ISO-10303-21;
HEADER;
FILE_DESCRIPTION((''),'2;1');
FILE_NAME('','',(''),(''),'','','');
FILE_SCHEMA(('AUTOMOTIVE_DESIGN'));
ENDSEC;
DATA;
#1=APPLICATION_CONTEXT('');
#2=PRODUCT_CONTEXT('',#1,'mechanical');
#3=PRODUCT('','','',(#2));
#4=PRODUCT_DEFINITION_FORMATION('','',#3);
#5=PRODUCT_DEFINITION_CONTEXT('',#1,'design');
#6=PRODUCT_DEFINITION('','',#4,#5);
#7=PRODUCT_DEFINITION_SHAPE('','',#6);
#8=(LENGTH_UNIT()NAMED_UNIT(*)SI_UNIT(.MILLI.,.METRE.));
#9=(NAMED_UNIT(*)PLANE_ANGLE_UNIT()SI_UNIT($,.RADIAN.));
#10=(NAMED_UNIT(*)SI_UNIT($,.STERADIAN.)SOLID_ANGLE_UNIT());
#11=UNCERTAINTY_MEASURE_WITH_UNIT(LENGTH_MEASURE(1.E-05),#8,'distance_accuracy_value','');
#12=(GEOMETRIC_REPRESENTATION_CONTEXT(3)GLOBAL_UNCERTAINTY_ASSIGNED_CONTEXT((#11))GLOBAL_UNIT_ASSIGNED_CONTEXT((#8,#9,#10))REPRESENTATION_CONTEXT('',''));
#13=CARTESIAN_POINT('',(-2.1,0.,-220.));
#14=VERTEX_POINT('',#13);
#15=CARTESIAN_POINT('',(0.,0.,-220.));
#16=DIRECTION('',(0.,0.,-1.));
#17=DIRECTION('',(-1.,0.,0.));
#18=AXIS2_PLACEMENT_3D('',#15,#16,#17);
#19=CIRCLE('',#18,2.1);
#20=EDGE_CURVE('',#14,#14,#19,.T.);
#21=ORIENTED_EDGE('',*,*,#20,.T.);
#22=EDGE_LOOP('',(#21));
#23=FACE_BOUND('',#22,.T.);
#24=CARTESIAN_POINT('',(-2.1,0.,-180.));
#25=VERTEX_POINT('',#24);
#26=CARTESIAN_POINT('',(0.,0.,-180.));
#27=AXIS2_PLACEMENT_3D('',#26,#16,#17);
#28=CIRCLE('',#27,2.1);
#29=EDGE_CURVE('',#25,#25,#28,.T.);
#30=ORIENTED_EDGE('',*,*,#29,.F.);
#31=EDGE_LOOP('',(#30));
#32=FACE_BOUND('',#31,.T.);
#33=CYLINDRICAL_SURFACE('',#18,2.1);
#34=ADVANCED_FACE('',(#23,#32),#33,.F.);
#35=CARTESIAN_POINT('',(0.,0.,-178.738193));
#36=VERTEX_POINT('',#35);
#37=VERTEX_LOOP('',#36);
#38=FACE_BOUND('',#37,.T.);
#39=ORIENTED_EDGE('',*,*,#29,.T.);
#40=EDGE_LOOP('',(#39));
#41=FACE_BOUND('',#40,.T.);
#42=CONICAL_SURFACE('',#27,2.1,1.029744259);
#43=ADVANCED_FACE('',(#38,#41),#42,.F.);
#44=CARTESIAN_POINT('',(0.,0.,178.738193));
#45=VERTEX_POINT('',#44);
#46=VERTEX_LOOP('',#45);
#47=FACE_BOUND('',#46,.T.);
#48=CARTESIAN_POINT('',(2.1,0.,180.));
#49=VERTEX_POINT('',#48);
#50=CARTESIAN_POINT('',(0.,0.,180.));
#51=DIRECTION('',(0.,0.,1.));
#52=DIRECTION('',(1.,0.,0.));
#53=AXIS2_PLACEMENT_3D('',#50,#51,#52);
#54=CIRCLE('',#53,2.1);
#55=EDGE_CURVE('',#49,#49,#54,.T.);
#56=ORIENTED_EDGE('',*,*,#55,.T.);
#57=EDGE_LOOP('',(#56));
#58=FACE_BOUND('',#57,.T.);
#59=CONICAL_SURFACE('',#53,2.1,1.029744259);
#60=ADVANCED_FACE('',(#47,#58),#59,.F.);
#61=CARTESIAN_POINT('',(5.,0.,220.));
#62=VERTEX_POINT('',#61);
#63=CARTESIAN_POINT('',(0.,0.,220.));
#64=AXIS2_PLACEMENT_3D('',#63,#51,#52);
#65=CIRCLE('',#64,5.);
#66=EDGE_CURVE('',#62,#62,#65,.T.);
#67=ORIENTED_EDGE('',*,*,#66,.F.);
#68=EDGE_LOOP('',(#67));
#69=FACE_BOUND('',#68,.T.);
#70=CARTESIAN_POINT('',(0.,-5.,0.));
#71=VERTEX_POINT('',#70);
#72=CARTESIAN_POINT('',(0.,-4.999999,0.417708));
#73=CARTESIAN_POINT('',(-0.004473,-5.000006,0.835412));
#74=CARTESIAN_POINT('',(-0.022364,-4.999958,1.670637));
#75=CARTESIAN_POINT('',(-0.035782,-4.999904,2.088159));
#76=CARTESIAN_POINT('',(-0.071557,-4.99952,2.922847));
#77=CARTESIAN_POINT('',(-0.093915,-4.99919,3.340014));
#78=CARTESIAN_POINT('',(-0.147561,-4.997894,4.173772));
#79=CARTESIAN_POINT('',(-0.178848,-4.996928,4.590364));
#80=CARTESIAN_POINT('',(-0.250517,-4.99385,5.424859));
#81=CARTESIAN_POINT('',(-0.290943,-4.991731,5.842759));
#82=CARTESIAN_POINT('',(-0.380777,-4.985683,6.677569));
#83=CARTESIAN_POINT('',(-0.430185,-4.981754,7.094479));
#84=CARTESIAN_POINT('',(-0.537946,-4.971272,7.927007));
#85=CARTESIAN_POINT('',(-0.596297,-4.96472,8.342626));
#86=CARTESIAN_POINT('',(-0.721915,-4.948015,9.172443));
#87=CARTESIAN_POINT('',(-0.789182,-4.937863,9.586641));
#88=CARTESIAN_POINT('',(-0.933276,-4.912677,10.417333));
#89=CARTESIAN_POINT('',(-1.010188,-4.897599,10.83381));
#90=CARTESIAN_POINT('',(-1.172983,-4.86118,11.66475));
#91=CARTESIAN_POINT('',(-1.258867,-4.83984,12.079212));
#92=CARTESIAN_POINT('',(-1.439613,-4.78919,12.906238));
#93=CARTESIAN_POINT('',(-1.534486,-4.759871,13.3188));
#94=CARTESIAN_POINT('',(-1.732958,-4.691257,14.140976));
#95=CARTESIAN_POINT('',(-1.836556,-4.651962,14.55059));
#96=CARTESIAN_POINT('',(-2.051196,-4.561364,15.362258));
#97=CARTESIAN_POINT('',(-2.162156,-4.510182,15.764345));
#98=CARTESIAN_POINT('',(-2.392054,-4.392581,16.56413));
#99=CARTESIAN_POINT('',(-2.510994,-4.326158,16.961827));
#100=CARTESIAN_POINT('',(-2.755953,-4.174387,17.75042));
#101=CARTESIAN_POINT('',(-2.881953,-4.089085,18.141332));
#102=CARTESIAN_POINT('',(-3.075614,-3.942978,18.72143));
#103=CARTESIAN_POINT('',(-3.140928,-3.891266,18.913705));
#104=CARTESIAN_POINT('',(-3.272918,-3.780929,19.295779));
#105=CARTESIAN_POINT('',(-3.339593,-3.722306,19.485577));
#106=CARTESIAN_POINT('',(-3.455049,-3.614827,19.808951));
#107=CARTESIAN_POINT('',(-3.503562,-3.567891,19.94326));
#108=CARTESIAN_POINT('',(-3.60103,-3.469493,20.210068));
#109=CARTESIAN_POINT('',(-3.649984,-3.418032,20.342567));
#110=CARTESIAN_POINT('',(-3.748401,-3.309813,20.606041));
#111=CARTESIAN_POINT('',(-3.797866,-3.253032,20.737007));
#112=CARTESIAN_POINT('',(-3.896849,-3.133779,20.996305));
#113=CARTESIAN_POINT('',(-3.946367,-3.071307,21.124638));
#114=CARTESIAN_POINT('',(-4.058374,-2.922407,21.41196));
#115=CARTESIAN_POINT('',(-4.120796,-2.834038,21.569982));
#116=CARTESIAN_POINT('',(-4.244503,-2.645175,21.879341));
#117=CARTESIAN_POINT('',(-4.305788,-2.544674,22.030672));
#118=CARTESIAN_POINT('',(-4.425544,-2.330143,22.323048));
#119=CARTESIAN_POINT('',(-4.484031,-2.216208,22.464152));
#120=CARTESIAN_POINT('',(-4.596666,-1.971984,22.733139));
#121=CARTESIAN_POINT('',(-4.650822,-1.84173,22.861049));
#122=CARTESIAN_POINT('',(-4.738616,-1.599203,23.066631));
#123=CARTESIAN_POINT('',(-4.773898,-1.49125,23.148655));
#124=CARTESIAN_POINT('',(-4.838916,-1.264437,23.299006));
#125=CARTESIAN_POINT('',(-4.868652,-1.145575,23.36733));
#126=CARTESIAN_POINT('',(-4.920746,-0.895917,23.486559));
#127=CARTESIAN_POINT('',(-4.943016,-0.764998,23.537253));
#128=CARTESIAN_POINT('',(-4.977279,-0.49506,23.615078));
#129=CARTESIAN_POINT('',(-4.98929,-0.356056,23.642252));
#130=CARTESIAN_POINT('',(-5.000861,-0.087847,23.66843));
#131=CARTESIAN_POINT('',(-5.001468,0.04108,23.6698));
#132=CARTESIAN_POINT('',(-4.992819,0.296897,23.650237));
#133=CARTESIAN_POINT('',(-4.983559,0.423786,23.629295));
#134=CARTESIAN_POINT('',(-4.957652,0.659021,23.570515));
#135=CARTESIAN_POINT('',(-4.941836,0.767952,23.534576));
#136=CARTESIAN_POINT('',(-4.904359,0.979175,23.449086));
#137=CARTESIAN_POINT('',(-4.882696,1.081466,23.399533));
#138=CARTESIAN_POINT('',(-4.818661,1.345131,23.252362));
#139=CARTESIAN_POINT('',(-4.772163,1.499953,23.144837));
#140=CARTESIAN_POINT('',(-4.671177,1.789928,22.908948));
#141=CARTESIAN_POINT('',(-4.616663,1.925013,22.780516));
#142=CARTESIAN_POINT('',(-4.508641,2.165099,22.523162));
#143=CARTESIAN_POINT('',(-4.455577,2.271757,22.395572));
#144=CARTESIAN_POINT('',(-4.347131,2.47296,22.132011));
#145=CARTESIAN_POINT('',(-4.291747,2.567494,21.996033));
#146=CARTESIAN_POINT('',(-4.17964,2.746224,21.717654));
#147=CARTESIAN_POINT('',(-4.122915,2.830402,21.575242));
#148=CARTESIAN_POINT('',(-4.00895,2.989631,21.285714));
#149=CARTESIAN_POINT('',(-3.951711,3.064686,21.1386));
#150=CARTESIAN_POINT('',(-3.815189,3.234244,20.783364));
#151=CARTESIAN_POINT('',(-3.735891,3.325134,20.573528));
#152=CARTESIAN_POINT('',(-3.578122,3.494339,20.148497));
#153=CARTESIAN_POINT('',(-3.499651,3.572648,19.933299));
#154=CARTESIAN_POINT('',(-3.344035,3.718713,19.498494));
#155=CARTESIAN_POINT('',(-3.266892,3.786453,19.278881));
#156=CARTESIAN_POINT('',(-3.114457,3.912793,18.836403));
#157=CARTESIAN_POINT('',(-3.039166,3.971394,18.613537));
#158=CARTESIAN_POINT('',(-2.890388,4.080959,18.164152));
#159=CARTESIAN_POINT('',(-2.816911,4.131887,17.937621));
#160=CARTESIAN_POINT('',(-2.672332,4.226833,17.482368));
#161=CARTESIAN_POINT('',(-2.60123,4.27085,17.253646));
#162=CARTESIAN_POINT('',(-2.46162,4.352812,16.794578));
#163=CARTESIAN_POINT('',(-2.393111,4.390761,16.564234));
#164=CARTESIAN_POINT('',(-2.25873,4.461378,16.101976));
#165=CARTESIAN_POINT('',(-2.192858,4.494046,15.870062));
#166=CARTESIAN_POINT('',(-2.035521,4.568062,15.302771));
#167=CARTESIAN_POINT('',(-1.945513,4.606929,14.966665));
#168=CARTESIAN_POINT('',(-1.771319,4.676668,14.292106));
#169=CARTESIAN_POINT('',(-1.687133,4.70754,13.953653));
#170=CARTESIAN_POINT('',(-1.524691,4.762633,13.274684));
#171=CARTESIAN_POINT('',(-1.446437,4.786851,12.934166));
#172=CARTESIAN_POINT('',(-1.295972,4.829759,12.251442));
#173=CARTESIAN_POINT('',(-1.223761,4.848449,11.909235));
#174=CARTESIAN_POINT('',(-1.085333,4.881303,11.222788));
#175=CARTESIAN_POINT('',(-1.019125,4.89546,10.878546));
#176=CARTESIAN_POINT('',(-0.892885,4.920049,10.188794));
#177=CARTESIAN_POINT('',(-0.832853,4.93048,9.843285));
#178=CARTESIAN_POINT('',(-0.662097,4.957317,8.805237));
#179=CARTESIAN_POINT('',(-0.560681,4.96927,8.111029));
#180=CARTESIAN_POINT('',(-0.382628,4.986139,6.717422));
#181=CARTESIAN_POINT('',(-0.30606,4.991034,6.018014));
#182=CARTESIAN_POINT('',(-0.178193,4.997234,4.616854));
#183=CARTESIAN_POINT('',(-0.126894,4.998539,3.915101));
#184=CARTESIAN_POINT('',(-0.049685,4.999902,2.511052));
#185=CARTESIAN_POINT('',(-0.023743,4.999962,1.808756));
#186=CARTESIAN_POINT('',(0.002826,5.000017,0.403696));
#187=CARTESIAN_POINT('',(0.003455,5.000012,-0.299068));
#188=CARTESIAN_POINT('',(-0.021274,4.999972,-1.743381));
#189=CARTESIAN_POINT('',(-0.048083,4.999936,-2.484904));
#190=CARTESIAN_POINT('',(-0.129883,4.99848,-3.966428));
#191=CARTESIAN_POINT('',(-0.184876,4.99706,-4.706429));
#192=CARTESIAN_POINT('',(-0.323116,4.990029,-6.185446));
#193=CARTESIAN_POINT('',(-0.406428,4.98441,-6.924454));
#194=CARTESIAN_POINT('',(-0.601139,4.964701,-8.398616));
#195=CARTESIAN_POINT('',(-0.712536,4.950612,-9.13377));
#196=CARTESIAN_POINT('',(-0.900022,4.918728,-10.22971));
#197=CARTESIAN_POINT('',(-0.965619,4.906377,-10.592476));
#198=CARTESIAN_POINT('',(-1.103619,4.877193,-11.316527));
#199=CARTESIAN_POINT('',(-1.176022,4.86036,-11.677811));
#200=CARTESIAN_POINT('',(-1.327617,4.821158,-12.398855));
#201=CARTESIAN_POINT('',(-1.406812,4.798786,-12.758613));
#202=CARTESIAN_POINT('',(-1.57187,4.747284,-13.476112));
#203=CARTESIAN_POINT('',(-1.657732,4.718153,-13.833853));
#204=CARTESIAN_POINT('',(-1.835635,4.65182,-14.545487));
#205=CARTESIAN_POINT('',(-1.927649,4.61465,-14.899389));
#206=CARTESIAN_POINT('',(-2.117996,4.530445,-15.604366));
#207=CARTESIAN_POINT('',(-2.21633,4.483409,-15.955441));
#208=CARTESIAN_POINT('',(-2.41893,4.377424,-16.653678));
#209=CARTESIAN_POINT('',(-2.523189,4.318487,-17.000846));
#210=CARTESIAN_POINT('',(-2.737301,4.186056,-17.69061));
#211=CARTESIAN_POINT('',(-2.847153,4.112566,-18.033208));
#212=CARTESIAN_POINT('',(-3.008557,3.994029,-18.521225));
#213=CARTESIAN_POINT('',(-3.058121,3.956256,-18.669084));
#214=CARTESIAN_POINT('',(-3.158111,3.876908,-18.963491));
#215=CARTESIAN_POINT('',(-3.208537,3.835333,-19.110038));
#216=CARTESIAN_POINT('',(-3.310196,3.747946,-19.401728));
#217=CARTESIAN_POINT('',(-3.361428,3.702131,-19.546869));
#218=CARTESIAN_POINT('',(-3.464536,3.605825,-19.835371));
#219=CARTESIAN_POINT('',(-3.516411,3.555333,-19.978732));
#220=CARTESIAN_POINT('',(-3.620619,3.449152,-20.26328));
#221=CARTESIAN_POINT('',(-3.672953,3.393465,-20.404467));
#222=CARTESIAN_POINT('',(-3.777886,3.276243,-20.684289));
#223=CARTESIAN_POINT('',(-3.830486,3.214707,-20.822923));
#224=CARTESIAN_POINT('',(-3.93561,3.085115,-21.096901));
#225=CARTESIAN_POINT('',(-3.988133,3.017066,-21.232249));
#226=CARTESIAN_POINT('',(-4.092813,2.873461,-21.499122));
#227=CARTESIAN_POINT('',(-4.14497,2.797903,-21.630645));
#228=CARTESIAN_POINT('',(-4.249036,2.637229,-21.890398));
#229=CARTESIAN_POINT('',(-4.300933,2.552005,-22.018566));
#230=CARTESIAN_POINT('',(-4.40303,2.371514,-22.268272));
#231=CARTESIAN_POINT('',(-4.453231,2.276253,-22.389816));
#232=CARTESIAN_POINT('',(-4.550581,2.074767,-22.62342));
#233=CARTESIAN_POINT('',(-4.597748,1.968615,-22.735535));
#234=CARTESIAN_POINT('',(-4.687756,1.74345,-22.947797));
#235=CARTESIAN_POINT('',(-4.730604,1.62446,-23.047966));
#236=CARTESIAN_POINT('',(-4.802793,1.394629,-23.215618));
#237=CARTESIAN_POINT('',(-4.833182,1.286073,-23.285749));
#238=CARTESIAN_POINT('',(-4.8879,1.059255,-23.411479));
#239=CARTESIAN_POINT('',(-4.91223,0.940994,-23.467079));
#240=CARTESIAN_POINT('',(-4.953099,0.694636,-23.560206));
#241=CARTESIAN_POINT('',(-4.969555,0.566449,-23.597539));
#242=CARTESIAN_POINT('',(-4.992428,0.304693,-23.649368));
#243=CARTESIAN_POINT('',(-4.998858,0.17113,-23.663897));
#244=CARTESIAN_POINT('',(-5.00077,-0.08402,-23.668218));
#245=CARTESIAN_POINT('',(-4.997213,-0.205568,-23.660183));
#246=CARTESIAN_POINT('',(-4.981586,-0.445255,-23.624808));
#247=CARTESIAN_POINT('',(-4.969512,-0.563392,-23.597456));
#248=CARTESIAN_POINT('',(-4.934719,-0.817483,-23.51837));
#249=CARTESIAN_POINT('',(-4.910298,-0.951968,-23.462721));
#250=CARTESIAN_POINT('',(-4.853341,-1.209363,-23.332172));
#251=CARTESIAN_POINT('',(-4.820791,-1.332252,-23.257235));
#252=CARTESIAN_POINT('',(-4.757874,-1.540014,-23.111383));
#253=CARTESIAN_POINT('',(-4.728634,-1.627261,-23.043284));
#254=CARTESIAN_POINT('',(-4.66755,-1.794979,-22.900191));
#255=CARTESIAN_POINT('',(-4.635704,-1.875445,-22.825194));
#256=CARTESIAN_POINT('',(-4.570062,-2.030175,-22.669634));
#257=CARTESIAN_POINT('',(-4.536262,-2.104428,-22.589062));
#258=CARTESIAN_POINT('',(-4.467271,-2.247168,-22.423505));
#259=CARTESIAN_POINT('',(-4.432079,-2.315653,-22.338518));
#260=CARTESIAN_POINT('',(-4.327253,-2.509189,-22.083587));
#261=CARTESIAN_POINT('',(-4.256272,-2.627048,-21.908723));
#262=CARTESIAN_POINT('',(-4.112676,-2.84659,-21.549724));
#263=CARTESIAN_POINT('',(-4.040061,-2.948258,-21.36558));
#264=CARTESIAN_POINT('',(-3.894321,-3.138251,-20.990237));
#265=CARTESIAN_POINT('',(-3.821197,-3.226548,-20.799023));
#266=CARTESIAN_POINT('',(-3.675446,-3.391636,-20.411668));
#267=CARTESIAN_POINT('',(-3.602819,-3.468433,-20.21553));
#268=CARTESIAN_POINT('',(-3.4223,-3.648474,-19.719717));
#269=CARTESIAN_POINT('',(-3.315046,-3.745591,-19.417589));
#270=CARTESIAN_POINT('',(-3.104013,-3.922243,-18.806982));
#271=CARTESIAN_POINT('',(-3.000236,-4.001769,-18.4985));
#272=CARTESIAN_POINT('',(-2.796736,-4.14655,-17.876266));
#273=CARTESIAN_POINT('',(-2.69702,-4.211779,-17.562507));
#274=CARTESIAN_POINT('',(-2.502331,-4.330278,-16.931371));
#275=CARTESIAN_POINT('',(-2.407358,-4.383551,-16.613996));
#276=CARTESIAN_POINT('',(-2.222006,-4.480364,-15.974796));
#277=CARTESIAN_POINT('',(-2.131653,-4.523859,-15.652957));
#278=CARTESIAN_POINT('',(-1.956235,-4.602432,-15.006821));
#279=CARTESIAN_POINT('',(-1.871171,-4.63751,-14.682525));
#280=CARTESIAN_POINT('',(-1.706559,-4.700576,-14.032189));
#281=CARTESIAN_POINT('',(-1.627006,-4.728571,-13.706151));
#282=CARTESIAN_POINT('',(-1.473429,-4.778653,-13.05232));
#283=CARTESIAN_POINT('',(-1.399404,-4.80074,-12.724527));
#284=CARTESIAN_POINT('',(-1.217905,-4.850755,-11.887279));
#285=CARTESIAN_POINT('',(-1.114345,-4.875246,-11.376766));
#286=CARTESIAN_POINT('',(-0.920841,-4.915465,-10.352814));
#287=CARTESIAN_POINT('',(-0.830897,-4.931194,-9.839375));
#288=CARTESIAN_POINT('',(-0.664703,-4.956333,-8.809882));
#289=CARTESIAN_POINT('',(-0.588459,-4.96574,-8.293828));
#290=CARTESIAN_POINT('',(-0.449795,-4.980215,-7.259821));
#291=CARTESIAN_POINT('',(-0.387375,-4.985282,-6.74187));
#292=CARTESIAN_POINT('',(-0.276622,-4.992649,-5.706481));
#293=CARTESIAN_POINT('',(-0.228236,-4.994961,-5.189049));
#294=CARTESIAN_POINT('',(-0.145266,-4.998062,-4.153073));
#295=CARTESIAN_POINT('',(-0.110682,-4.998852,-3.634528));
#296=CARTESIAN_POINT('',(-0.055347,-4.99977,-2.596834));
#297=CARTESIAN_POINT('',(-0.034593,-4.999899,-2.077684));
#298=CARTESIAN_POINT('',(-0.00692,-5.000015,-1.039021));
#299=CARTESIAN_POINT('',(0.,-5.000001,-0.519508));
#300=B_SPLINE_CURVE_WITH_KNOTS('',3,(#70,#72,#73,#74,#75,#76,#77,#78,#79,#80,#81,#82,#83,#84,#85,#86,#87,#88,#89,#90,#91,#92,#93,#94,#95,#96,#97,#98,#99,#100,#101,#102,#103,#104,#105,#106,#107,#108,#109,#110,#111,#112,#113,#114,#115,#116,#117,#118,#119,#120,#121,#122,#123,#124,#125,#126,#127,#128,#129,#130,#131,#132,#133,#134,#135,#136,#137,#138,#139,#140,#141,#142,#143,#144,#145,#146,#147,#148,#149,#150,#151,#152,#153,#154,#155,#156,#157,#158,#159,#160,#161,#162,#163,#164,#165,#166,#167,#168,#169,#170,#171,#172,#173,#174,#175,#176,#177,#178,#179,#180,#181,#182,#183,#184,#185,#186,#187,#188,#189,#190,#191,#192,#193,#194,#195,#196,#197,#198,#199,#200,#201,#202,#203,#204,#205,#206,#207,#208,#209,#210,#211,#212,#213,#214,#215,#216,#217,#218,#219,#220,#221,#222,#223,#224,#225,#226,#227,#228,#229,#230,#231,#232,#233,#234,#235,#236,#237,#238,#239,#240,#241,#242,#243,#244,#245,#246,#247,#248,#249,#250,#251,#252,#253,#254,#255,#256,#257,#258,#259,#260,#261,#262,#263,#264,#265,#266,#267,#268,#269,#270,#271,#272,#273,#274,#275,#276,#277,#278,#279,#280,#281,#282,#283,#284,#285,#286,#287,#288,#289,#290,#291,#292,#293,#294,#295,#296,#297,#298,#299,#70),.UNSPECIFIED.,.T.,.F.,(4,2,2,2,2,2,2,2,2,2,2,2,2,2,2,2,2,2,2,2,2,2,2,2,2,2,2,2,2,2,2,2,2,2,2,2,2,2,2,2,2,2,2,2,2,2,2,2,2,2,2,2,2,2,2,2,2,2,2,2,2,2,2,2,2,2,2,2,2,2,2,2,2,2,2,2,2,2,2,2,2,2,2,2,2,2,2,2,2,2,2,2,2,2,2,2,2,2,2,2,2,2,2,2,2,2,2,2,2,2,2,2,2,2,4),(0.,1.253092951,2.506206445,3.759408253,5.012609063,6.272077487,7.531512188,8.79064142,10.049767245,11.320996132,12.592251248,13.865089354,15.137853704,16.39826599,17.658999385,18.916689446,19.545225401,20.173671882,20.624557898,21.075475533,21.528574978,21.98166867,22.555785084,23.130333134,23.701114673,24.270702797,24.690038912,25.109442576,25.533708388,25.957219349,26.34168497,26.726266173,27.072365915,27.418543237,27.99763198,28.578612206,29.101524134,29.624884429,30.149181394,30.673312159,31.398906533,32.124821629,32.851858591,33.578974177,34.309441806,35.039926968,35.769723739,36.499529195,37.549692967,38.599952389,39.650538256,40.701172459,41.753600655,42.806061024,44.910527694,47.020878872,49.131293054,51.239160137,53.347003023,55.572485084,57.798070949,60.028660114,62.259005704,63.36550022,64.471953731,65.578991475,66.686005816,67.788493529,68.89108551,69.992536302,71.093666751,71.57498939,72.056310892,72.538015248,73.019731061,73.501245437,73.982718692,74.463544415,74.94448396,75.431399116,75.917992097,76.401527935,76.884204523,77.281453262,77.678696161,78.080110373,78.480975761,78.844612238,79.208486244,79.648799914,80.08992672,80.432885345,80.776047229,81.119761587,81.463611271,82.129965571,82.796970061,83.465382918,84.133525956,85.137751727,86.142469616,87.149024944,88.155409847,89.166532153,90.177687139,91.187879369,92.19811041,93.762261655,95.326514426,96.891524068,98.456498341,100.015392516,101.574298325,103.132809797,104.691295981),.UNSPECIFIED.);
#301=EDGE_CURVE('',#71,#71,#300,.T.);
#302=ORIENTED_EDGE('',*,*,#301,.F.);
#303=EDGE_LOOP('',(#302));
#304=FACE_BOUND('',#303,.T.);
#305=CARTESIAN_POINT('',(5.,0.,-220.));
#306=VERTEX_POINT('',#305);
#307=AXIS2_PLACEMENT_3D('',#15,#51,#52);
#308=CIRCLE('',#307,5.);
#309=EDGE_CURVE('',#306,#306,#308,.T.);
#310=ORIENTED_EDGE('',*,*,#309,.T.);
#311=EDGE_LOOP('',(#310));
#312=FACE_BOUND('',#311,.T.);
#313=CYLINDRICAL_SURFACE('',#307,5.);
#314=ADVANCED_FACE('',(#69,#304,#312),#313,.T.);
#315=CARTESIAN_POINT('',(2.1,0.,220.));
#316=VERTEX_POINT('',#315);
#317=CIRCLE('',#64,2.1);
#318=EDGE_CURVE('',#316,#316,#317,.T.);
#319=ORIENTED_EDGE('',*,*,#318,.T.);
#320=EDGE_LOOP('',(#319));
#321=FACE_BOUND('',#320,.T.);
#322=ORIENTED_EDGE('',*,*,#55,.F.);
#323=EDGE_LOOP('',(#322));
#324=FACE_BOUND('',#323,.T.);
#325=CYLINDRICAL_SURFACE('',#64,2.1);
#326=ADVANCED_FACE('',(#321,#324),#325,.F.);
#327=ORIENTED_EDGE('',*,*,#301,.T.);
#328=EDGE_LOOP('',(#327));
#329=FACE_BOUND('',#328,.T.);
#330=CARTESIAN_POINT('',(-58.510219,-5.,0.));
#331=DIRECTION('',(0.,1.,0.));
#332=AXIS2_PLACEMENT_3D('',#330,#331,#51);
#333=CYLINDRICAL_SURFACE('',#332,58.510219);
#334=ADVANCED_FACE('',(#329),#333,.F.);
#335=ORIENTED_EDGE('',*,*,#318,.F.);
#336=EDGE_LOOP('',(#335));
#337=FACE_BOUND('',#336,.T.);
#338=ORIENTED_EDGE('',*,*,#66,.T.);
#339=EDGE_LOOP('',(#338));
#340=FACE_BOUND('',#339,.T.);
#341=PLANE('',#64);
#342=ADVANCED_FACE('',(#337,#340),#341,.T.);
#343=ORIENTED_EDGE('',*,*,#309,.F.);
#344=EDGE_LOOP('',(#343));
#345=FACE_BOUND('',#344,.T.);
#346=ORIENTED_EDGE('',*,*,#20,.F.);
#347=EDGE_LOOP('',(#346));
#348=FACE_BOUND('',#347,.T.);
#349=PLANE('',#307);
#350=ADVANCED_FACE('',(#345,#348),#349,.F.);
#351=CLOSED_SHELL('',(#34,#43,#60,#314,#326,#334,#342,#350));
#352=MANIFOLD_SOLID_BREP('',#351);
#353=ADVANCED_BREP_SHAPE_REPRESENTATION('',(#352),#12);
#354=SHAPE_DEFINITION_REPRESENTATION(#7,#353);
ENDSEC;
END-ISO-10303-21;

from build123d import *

# Parameters (mm, degrees)
SALIENTE_EXTRUIR1_DEPTH      = 220
SALIENTE_EXTRUIR1_DEPTH_BACK = 220
CROQUIS1_R                   = 5
CORTAR_EXTRUIR1_DEPTH        = 221.113607031
CORTAR_EXTRUIR1_DEPTH_BACK   = 221.113607031
CROQUIS6_R                   = 58.510219283


with BuildPart() as part:
    # Croquis1 → Saliente-Extruir1 (new, two sides: drawn at the far end of the back side and taken through both)
    with BuildSketch(Plane.XY.offset(-SALIENTE_EXTRUIR1_DEPTH_BACK)):
        Circle(CROQUIS1_R)
    extrude(amount=SALIENTE_EXTRUIR1_DEPTH + SALIENTE_EXTRUIR1_DEPTH_BACK)

    # Croquis5 → Perforador para roscar para macho de roscar para M5x0.81 (revolve, cut)
    with BuildSketch(Plane(origin=(0, 0, 220), x_dir=(0, -1, 0), z_dir=(1, 0, 0))):
        Polygon((0, 0), (0, 41.2618073), (2.1, 40), (2.1, 0), align=None)
    perforador_para_roscar_para_macho_de_ros = revolve(axis=Axis((0, 0, 226.35), (0, 0, -1)), mode=Mode.SUBTRACT)

    # Simetría2: Perforador para roscar para macho de roscar para M5x0.81 across plane
    add(perforador_para_roscar_para_macho_de_ros.mirror(Plane.XY), mode=Mode.SUBTRACT)

    # Croquis6 → Cortar-Extruir1 (cut, two sides: drawn at the far end of the back side and taken through both)
    with BuildSketch(Plane(origin=(0, 0, 0), x_dir=(1, 0, 0), z_dir=(0, 1, 0)).offset(-CORTAR_EXTRUIR1_DEPTH_BACK)):
        with Locations((-58.510219283, 0)):
            Circle(CROQUIS6_R)
    extrude(amount=CORTAR_EXTRUIR1_DEPTH + CORTAR_EXTRUIR1_DEPTH_BACK, mode=Mode.SUBTRACT)


solid = part.part
